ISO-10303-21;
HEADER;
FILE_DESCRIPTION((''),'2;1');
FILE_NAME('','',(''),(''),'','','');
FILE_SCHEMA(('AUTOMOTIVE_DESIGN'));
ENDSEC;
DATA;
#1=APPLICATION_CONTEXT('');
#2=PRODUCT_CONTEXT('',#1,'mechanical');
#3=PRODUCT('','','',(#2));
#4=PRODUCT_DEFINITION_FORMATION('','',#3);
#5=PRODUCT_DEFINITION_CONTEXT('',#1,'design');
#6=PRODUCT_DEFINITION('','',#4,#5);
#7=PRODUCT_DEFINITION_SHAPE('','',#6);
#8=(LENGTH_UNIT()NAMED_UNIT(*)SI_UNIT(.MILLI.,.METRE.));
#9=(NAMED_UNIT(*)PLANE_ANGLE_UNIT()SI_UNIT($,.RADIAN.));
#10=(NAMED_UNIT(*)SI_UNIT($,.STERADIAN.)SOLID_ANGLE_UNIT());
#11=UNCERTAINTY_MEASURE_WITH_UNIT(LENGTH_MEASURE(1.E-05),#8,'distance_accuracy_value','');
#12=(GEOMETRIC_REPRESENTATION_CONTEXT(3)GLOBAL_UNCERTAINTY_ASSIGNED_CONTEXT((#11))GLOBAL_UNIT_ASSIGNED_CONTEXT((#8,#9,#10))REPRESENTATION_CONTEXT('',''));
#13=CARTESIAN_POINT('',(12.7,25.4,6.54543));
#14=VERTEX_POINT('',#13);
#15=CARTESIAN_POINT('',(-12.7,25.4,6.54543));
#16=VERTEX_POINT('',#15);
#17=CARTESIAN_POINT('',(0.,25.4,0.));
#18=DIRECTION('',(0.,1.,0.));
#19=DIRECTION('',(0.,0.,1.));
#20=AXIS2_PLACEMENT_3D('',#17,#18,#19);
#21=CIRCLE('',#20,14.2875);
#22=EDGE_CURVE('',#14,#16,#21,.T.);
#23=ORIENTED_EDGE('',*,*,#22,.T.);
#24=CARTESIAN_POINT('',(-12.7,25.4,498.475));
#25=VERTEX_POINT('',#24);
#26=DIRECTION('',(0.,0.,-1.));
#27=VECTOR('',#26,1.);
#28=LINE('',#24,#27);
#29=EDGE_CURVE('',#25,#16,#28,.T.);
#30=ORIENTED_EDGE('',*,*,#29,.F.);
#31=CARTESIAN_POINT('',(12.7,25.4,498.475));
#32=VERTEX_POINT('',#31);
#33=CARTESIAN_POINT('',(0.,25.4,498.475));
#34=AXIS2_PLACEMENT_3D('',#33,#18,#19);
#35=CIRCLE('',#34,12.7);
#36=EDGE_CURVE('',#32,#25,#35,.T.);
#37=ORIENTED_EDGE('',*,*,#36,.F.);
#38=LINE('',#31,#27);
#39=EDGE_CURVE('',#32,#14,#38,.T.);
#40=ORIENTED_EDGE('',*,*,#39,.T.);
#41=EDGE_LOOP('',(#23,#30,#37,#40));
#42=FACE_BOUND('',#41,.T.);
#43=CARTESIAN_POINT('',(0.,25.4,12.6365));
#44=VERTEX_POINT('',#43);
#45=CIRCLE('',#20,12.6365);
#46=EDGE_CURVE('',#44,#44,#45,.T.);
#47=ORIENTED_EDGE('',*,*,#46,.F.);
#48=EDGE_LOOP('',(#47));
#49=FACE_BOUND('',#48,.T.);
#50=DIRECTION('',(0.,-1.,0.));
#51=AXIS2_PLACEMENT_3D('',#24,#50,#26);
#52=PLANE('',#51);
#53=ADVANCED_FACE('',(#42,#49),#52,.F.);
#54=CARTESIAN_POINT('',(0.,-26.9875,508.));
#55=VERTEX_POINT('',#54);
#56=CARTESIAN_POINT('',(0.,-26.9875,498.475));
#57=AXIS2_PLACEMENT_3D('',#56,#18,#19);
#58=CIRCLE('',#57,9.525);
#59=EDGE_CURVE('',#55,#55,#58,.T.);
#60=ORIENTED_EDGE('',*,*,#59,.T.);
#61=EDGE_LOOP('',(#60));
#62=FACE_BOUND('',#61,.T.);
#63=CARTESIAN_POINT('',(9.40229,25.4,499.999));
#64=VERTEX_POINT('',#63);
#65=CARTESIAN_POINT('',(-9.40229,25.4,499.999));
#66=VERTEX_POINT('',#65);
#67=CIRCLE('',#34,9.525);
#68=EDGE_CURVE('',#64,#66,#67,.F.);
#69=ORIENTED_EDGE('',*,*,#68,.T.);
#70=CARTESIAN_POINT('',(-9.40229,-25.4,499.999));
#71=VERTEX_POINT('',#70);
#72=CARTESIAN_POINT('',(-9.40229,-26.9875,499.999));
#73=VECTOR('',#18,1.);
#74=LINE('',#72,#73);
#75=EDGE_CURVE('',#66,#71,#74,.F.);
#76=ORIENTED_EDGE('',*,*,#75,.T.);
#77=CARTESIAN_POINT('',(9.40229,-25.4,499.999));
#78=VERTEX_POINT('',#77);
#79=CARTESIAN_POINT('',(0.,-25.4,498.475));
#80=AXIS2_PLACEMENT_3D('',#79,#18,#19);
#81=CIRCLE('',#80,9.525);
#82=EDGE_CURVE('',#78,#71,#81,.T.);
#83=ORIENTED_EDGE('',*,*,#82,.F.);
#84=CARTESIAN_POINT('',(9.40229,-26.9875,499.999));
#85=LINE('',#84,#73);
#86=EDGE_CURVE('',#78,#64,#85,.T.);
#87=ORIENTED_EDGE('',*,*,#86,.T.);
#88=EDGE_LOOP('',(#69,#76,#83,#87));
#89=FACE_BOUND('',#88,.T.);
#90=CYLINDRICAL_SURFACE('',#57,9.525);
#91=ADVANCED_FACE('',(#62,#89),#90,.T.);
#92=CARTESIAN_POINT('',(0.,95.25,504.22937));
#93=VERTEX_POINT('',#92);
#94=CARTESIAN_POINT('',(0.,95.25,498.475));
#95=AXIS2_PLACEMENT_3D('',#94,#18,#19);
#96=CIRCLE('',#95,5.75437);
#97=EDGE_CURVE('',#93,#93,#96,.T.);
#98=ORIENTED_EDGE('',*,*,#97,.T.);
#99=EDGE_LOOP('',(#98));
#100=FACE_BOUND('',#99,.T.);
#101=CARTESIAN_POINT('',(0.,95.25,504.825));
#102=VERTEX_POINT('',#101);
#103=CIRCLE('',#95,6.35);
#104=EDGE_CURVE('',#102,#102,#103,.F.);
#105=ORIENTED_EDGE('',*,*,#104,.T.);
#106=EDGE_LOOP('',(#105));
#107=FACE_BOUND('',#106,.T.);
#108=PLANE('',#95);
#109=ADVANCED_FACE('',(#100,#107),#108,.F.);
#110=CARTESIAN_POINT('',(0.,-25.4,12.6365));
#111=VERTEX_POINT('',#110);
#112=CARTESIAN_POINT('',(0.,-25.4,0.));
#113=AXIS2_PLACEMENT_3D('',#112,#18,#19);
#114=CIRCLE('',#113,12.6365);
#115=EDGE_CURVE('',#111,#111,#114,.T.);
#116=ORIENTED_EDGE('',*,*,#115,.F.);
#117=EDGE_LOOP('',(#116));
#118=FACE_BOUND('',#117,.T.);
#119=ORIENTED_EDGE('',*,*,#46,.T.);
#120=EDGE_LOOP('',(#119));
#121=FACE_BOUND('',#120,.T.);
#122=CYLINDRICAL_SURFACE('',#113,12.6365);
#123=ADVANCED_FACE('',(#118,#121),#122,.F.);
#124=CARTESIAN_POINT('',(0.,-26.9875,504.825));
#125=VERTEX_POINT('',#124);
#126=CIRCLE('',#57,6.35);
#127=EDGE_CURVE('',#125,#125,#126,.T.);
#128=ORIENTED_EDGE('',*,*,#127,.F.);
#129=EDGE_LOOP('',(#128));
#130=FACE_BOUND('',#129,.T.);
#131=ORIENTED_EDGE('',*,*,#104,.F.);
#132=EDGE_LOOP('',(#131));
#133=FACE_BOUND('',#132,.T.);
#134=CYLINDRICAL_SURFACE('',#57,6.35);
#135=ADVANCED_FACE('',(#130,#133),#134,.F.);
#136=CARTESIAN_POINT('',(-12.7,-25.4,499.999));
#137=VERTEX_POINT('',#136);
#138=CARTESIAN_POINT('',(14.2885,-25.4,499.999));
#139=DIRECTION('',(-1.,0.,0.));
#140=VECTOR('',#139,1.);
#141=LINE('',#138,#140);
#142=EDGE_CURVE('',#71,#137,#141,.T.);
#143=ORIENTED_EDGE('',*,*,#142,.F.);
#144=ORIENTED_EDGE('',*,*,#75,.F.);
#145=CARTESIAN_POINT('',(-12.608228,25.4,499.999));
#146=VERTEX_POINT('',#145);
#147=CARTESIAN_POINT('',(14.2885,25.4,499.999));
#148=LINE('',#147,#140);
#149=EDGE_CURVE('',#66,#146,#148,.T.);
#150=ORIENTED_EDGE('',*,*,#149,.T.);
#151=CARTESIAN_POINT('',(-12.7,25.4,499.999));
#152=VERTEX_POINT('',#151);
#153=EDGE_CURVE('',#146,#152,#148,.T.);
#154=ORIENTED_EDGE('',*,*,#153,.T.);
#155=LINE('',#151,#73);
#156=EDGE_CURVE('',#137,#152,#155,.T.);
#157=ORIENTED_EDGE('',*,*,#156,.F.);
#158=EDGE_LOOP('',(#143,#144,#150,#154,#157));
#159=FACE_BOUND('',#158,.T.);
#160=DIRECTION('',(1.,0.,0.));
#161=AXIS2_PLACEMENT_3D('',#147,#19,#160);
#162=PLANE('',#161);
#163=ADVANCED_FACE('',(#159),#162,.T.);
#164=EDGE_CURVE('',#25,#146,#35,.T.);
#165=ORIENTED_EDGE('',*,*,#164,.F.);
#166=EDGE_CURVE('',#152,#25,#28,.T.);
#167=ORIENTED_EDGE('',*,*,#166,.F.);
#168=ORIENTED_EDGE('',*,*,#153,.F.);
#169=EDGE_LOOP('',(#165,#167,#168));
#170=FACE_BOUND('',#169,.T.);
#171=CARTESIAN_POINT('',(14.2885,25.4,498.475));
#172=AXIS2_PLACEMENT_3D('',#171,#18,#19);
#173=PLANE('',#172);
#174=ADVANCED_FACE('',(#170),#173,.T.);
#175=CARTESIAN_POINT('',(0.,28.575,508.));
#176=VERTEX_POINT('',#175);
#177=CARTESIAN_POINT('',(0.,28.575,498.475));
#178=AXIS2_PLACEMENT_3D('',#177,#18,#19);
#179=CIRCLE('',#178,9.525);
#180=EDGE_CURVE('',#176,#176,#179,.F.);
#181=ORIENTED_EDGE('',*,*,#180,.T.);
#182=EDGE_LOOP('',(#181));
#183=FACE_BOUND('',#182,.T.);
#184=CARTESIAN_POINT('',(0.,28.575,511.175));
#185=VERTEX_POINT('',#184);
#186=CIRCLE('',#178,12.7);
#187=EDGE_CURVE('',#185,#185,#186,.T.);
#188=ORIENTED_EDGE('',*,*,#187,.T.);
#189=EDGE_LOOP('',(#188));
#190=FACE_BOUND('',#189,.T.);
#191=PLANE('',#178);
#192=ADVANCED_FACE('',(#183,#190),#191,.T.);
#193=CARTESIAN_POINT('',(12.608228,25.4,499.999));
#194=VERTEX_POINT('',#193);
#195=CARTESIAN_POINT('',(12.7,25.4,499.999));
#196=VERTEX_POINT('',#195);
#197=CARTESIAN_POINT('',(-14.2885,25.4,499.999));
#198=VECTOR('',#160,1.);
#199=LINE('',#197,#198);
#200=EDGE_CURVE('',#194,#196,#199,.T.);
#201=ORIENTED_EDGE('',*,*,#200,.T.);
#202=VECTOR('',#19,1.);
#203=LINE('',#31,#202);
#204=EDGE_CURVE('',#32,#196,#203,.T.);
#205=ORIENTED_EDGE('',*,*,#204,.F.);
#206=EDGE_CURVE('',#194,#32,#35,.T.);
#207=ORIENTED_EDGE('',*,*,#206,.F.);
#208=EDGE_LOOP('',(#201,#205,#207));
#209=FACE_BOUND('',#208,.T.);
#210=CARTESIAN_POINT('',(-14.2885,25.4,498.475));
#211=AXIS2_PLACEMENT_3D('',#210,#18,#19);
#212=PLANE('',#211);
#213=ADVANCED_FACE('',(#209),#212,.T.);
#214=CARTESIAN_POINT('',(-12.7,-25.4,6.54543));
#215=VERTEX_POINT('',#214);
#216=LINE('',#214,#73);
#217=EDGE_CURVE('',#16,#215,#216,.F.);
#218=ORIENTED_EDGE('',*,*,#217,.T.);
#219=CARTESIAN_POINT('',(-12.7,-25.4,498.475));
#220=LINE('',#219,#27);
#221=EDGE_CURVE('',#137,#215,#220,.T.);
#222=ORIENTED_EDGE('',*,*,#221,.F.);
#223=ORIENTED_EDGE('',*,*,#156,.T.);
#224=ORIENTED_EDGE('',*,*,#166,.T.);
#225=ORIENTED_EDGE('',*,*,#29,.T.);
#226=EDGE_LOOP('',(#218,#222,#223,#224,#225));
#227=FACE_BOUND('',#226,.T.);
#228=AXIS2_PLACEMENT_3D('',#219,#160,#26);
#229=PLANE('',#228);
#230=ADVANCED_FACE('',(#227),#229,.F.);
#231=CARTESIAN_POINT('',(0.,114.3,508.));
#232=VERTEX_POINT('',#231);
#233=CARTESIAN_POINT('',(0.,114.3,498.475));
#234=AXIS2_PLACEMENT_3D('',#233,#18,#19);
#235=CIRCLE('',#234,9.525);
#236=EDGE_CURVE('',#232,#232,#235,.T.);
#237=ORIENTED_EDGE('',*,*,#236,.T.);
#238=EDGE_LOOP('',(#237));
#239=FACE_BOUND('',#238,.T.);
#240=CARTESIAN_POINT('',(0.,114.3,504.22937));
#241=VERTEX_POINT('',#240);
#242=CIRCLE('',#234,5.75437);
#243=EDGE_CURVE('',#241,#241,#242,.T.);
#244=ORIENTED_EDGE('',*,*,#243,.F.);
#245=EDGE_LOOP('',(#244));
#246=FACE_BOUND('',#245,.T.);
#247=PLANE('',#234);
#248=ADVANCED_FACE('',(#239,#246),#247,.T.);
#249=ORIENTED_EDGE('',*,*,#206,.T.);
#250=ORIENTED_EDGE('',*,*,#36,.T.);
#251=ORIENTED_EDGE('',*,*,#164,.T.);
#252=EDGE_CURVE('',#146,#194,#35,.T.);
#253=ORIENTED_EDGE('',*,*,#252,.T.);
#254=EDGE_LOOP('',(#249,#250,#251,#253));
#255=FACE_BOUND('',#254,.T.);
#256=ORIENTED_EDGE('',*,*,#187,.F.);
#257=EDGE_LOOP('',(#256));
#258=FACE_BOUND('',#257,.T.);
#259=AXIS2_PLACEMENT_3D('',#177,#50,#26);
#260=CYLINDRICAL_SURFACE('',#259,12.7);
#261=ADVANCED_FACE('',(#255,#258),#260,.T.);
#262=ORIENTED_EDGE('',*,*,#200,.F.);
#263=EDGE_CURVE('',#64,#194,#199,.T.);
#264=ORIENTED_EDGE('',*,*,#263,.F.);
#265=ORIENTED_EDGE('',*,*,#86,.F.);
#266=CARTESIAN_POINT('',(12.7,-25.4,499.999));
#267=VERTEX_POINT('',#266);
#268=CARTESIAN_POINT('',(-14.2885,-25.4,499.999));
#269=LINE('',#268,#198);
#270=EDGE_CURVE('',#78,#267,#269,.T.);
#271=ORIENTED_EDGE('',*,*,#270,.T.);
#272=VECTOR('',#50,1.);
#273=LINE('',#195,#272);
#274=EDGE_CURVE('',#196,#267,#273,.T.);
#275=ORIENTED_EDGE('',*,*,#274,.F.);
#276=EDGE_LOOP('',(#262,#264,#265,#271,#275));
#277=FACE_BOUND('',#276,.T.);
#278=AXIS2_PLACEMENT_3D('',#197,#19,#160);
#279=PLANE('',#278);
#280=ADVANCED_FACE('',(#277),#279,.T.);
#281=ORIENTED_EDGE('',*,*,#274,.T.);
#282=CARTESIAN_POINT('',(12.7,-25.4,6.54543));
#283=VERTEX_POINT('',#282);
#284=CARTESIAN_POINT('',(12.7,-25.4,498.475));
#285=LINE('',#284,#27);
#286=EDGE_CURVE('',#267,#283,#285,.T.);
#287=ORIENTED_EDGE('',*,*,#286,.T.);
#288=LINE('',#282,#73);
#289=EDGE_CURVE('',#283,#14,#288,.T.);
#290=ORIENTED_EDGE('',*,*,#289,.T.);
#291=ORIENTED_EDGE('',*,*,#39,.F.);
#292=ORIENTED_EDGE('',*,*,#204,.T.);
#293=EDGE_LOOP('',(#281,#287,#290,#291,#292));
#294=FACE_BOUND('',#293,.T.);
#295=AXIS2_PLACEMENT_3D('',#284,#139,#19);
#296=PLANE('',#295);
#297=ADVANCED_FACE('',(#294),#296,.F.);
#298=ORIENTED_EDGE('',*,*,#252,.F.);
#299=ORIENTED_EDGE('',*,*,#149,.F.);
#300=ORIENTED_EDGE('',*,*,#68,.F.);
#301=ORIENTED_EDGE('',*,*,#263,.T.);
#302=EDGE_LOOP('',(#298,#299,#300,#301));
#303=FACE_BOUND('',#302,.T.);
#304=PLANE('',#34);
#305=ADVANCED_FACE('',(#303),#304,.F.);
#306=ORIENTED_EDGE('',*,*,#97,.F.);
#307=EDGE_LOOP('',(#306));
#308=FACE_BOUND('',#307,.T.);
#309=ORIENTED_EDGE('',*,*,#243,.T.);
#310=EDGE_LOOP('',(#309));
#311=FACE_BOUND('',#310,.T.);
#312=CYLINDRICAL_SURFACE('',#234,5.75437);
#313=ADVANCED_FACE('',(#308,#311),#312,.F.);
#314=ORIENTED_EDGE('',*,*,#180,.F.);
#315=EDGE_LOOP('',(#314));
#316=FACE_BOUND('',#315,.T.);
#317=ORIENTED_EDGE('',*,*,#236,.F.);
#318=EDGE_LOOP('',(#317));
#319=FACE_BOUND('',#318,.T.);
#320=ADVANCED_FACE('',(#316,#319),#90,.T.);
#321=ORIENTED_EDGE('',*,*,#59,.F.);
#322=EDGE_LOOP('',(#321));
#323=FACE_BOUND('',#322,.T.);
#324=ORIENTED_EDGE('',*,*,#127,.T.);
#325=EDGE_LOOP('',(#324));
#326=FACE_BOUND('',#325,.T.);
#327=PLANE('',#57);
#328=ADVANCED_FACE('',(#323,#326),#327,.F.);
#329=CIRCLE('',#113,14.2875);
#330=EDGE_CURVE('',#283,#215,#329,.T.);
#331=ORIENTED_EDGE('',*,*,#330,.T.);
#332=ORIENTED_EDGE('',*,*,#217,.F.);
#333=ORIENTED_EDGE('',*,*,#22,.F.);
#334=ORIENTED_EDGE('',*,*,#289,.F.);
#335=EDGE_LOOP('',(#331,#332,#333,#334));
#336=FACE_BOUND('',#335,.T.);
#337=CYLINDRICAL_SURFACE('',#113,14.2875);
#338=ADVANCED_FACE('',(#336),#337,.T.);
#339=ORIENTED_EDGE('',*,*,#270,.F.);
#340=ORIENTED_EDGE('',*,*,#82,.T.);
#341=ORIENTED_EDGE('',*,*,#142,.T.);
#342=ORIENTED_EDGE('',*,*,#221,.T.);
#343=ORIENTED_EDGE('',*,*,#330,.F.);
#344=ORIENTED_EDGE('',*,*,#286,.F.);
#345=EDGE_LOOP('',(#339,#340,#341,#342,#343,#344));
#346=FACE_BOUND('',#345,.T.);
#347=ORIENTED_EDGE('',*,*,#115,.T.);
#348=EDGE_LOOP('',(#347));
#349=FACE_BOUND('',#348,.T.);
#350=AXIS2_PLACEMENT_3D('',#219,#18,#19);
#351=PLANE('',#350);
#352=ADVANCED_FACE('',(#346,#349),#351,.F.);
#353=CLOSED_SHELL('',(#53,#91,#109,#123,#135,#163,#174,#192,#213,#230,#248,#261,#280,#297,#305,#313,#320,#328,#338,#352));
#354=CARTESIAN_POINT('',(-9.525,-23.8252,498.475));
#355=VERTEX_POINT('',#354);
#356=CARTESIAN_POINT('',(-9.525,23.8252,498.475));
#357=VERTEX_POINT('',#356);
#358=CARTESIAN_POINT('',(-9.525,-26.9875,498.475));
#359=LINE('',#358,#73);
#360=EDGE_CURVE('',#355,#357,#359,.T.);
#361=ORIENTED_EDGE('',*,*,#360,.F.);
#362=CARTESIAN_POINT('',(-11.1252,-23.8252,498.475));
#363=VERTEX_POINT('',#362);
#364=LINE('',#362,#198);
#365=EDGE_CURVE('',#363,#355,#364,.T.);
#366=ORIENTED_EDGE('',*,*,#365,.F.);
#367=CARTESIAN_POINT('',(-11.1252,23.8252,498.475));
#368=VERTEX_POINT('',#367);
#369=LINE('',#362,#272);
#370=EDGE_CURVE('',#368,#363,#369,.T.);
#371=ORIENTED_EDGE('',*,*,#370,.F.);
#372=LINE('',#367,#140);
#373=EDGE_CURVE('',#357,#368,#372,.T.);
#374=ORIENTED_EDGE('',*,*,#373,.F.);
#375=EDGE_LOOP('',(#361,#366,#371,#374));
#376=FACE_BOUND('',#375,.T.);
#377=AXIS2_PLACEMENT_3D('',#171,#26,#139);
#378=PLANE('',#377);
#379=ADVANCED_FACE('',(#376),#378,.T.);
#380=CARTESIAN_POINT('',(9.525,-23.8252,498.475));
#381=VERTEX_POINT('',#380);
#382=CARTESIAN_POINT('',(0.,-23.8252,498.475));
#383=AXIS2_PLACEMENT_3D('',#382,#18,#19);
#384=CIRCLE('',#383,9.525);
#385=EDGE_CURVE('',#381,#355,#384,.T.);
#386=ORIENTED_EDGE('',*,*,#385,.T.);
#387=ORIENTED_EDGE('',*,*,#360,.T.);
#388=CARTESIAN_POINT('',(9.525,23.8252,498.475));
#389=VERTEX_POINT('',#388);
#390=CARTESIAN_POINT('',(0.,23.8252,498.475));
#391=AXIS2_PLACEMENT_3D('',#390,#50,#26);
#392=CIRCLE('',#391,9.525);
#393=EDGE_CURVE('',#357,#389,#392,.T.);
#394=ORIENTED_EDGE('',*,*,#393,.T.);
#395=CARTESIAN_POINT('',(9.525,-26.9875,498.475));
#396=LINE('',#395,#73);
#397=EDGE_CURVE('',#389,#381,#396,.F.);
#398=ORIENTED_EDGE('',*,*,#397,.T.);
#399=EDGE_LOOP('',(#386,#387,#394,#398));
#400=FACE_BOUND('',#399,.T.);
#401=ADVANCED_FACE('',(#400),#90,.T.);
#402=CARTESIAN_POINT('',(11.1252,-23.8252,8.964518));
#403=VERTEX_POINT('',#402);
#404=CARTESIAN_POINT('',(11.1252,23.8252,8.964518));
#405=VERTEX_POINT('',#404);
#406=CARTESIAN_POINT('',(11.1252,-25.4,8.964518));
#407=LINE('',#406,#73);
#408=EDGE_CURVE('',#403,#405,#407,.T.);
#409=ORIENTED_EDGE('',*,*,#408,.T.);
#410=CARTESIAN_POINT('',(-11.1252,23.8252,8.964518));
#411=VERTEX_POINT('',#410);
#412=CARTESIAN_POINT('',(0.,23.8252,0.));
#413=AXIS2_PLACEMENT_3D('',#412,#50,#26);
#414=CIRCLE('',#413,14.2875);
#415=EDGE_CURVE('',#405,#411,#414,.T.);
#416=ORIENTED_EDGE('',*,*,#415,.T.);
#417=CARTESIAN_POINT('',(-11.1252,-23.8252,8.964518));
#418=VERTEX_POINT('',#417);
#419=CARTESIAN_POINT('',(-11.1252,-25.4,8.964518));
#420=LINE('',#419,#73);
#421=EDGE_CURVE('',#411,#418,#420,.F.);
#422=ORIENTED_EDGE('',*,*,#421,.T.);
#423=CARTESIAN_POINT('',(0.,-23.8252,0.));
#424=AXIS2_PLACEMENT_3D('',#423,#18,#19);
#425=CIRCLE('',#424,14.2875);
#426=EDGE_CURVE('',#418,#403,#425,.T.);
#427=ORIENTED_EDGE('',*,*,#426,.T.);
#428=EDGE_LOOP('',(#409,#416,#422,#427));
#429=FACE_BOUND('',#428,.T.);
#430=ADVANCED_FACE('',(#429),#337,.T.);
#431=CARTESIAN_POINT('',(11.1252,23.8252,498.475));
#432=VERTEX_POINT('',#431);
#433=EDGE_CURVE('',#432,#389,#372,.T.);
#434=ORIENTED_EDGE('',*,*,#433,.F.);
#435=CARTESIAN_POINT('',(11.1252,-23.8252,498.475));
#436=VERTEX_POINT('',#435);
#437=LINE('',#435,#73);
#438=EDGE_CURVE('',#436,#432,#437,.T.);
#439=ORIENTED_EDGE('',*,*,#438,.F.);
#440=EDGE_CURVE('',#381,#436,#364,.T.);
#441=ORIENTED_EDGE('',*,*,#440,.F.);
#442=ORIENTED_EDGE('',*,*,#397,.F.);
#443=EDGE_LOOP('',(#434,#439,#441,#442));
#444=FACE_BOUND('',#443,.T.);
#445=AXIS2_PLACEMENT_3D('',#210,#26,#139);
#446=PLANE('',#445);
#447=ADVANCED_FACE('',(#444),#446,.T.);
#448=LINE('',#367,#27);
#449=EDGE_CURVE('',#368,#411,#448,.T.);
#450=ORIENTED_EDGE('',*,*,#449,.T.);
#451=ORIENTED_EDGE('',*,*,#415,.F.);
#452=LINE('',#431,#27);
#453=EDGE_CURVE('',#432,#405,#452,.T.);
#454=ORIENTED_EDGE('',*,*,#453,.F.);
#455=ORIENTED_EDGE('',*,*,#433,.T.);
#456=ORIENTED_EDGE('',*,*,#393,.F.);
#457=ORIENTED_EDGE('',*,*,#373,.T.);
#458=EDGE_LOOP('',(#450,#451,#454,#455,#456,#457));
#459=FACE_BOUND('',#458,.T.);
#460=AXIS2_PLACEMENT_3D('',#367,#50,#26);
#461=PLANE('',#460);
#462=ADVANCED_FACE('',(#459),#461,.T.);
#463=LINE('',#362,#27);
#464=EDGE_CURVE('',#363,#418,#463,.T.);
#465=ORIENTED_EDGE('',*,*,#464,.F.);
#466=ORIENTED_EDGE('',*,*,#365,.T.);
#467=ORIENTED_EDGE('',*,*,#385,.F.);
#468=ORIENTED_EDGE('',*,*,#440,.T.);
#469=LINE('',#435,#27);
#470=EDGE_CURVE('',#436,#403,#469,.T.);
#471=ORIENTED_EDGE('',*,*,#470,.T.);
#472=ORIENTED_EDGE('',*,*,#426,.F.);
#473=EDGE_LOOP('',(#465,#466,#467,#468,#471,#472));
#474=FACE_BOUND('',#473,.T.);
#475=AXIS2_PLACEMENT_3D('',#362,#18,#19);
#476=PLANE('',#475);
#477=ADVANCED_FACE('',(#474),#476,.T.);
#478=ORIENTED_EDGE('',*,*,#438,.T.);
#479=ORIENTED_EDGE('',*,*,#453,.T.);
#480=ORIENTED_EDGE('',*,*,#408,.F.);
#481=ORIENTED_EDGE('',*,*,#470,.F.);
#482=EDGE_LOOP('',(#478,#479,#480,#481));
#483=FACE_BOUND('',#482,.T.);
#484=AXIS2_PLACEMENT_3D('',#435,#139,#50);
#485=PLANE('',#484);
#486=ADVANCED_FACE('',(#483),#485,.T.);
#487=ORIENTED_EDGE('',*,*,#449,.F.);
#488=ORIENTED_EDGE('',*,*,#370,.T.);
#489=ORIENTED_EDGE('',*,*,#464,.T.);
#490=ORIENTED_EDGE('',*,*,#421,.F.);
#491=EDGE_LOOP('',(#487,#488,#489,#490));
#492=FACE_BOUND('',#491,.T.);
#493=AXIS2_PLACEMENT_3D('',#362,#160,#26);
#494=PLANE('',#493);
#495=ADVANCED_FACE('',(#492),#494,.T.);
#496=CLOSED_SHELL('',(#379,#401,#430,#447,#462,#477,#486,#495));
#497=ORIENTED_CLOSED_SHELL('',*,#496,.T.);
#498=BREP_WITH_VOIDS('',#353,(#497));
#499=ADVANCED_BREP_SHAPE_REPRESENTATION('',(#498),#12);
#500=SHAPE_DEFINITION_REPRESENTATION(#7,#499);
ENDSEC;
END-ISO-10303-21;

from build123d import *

# Parameters (mm, degrees)
SKETCH1_W                       = 25.4
SKETCH1_H                       = 50.8
SKETCH1_W_2                     = 22.2504
SKETCH1_H_2                     = 47.6504
BOSS_EXTRUDE1_DEPTH             = 498.475
SKETCH2_R                       = 14.2875
SKETCH2_R_2                     = 9.525
CUT_EXTRUDE1_DEPTH              = 51.8
SKETCH3_R                       = 14.2875
SKETCH3_R_2                     = 12.6365
BOSS_EXTRUDE2_DEPTH             = 50.8
SKETCH4_R                       = 9.525
SKETCH4_R_2                     = 6.35
BOSS_EXTRUDE3_DEPTH             = 88.9
BOSS_EXTRUDE3_DEPTH_BACK        = 52.3875
SKETCH5_R                       = 12.7
SKETCH5_R_2                     = 9.525
BOSS_EXTRUDE4_DEPTH             = 3.175
SKETCH6_R                       = 6.35
BOSS_EXTRUDE5_DEPTH             = 19.05
TAP_DRILL_FOR_1_2_20_TAP1_D     = 11.50874
TAP_DRILL_FOR_1_2_20_TAP1_DEPTH = 19.05
BOSS_EXTRUDE6_REACH             = 28.987
SKETCH9_W                       = 1.524
SKETCH9_H                       = 50.8
BOSS_EXTRUDE7_REACH             = 28.988
SKETCH10_W                      = 1.524
SKETCH10_H                      = 50.8


with BuildPart() as part:
    # Sketch1 → Boss-Extrude1 (new body)
    with BuildSketch(Plane.XY):
        Rectangle(SKETCH1_W, SKETCH1_H)
        Rectangle(SKETCH1_W_2, SKETCH1_H_2, mode=Mode.SUBTRACT)
    extrude(amount=BOSS_EXTRUDE1_DEPTH)

    # Sketch2 → Cut-Extrude1 (cut, through all)
    with BuildSketch(Plane(origin=(0, 25.4, 0), x_dir=(1, 0, 0), z_dir=(0, 1, 0))):
        Circle(SKETCH2_R)
        with Locations((0, -498.475)):
            Circle(SKETCH2_R_2)
    extrude(amount=-CUT_EXTRUDE1_DEPTH, mode=Mode.SUBTRACT)

    # Sketch3 → Boss-Extrude2 (add)
    with BuildSketch(Plane(origin=(0, 25.4, 0), x_dir=(1, 0, 0), z_dir=(0, 1, 0))):
        Circle(SKETCH3_R)
        Circle(SKETCH3_R_2, mode=Mode.SUBTRACT)
    extrude(amount=-BOSS_EXTRUDE2_DEPTH)

    # Sketch4 → Boss-Extrude3 (add, two sides)
    with BuildSketch(Plane(origin=(0, 25.4, 0), x_dir=(1, 0, 0), z_dir=(0, 1, 0))) as boss_extrude3_sk:
        with Locations((0, -498.475)):
            Circle(SKETCH4_R)
        with Locations((0, -498.475)):
            Circle(SKETCH4_R_2, mode=Mode.SUBTRACT)
    extrude(amount=BOSS_EXTRUDE3_DEPTH)
    extrude(boss_extrude3_sk.sketch, amount=-BOSS_EXTRUDE3_DEPTH_BACK)

    # Sketch5 → Boss-Extrude4 (add)
    with BuildSketch(Plane(origin=(0, 25.4, 0), x_dir=(1, 0, 0), z_dir=(0, 1, 0))):
        with Locations((0, -498.475)):
            Circle(SKETCH5_R)
        with Locations((0, -498.475)):
            Circle(SKETCH5_R_2, mode=Mode.SUBTRACT)
    extrude(amount=BOSS_EXTRUDE4_DEPTH)

    # Sketch6 → Boss-Extrude5 (add)
    with BuildSketch(Plane(origin=(0, 114.3, 0), x_dir=(1, 0, 0), z_dir=(0, 1, 0))):
        with Locations((0, -498.475)):
            Circle(SKETCH6_R)
    extrude(amount=-BOSS_EXTRUDE5_DEPTH)

    # Tap Drill for 1/2-20 Tap1
    with Locations(Plane(origin=(0, 114.3, 0), x_dir=(1, 0, 0), z_dir=(0, 1, 0))):
        with Locations((0, -498.475)):
            Hole(TAP_DRILL_FOR_1_2_20_TAP1_D / 2, depth=TAP_DRILL_FOR_1_2_20_TAP1_DEPTH)

    # Sketch9 → Boss-Extrude6 (add, up to next)
    with BuildSketch(Plane(origin=(12.7, 0, 0), x_dir=(0, 0, -1), z_dir=(1, 0, 0)), mode=Mode.PRIVATE) as boss_extrude6_sk1:
        with Locations((-499.237, 0)):
            Rectangle(SKETCH9_W, SKETCH9_H)
    boss_extrude6_tool1 = extrude(boss_extrude6_sk1.sketch, amount=-BOSS_EXTRUDE6_REACH, mode=Mode.PRIVATE) - part.part
    add(boss_extrude6_tool1.solids().sort_by_distance((12.7, 0, 499.237))[0])

    # Sketch10 → Boss-Extrude7 (add, up to next)
    with BuildSketch(Plane.ZY.offset(12.7), mode=Mode.PRIVATE) as boss_extrude7_sk1:
        with Locations((499.237, 0)):
            Rectangle(SKETCH10_W, SKETCH10_H)
    boss_extrude7_tool1 = extrude(boss_extrude7_sk1.sketch, amount=-BOSS_EXTRUDE7_REACH, mode=Mode.PRIVATE) - part.part
    add(boss_extrude7_tool1.solids().sort_by_distance((-12.7, 0, 499.237))[0])


solid = part.part
